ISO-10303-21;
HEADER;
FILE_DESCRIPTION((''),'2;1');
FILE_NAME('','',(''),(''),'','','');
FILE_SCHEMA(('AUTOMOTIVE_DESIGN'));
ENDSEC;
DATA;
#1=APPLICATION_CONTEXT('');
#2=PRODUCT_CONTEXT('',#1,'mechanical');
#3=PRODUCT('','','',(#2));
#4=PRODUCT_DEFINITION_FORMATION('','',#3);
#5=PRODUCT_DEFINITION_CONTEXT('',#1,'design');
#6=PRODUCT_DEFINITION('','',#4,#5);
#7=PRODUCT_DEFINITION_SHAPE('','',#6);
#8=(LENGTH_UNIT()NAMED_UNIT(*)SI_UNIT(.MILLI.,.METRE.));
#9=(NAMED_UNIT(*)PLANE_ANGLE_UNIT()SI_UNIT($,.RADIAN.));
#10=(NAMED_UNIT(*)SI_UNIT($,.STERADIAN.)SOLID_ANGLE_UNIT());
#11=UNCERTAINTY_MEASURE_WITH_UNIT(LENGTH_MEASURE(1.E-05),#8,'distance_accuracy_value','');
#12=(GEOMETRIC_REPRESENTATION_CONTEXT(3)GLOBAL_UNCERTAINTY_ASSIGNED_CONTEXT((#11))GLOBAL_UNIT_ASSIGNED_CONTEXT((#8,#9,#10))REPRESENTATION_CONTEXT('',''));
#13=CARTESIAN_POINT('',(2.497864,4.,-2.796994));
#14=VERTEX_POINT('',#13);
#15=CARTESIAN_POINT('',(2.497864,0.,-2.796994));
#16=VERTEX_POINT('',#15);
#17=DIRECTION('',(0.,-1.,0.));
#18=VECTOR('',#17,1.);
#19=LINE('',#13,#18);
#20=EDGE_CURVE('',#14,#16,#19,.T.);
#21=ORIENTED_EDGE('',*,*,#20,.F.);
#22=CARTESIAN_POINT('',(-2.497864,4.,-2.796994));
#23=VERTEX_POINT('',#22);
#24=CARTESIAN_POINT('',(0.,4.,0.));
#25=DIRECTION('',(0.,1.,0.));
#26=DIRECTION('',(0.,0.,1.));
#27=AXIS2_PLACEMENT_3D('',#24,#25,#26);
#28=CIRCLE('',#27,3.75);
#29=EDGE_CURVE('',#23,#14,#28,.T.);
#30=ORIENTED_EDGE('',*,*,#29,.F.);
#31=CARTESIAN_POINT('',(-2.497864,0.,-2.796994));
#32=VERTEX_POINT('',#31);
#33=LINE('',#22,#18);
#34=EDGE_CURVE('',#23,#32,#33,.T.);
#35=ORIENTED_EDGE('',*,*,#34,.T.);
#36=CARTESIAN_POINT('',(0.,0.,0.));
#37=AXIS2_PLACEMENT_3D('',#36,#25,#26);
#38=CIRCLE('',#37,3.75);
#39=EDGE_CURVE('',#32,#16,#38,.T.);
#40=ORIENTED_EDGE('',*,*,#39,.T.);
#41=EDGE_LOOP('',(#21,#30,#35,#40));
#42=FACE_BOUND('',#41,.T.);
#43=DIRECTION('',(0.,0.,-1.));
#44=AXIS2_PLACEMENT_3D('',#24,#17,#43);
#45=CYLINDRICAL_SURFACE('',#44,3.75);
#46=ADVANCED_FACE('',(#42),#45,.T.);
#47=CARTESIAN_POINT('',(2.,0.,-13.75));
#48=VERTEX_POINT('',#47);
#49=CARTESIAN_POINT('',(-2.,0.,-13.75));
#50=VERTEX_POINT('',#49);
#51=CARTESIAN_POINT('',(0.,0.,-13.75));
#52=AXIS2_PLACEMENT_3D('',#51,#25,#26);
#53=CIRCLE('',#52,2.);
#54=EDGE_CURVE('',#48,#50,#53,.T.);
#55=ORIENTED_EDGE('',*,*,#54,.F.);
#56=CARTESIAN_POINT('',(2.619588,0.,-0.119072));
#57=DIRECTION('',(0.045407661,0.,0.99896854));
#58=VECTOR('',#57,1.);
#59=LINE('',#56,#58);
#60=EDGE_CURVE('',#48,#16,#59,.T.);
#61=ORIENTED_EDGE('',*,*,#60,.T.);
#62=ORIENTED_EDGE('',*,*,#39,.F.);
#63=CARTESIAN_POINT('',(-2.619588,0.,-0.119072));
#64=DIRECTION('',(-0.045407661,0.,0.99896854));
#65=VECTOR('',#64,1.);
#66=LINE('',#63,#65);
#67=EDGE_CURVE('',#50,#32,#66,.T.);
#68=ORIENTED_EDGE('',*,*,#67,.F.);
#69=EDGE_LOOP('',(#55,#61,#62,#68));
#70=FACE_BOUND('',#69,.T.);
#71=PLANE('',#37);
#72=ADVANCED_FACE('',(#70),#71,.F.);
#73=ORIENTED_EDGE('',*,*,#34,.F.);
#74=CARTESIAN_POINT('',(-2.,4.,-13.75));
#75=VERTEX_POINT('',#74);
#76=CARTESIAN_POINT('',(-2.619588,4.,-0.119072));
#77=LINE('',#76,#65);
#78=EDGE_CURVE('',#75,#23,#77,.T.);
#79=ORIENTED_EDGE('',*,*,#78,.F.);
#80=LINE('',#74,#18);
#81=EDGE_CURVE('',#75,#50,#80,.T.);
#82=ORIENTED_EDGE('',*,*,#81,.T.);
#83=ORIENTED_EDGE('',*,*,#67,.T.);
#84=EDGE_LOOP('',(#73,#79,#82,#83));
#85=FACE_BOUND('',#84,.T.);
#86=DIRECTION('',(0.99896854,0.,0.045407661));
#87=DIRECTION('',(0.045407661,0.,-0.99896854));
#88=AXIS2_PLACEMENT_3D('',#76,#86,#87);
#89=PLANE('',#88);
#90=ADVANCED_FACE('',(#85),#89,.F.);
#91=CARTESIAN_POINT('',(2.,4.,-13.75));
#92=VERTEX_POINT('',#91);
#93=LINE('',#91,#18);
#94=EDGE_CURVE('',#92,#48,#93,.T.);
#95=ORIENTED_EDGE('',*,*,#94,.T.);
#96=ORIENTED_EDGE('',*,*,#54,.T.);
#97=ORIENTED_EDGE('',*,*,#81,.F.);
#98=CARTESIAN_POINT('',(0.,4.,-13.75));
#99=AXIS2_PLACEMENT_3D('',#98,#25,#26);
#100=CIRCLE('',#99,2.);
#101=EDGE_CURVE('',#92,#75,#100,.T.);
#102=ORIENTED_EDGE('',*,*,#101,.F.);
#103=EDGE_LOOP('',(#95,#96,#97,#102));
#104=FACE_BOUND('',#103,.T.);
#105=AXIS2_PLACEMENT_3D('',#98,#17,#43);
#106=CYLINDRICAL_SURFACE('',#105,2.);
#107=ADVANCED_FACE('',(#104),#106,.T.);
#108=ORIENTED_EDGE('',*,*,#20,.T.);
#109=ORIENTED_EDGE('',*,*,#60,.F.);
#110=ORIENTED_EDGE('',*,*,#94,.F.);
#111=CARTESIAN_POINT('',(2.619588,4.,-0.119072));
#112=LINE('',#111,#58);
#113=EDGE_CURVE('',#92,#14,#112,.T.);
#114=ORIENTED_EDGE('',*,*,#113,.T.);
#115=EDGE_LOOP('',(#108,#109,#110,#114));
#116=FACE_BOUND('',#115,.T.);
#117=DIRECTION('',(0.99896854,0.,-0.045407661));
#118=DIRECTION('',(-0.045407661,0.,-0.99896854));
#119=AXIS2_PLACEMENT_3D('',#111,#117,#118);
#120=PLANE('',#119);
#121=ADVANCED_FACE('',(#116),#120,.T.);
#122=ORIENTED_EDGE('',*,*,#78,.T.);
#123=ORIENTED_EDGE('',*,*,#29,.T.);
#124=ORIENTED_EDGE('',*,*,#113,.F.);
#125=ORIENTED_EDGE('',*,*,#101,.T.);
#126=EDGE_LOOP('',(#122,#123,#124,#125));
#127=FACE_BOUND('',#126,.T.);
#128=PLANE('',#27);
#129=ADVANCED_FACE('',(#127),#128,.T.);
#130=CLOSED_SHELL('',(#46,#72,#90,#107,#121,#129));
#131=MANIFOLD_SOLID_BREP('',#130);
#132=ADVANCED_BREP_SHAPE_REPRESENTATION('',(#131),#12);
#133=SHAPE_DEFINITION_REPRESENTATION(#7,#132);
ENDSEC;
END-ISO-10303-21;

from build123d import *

# Parameters (mm, degrees)
BOSS_EXTRUDE1_DEPTH = 4


with BuildPart() as part:
    # Sketch1 → Boss-Extrude1 (new body)
    with BuildSketch(Plane(origin=(0, 0, 0), x_dir=(1, 0, 0), z_dir=(0, 1, 0))):
        with BuildLine():
            ThreePointArc((2, 13.75), (0, 15.75), (-2, 13.75))
            Line((-2, 13.75), (-2.497863905, 2.796994085))
            ThreePointArc((-2.497863905, 2.796994085), (0, -3.75), (2.497863905, 2.796994085))
            Line((2.497863905, 2.796994085), (2, 13.75))
        make_face()
    extrude(amount=BOSS_EXTRUDE1_DEPTH)


solid = part.part
